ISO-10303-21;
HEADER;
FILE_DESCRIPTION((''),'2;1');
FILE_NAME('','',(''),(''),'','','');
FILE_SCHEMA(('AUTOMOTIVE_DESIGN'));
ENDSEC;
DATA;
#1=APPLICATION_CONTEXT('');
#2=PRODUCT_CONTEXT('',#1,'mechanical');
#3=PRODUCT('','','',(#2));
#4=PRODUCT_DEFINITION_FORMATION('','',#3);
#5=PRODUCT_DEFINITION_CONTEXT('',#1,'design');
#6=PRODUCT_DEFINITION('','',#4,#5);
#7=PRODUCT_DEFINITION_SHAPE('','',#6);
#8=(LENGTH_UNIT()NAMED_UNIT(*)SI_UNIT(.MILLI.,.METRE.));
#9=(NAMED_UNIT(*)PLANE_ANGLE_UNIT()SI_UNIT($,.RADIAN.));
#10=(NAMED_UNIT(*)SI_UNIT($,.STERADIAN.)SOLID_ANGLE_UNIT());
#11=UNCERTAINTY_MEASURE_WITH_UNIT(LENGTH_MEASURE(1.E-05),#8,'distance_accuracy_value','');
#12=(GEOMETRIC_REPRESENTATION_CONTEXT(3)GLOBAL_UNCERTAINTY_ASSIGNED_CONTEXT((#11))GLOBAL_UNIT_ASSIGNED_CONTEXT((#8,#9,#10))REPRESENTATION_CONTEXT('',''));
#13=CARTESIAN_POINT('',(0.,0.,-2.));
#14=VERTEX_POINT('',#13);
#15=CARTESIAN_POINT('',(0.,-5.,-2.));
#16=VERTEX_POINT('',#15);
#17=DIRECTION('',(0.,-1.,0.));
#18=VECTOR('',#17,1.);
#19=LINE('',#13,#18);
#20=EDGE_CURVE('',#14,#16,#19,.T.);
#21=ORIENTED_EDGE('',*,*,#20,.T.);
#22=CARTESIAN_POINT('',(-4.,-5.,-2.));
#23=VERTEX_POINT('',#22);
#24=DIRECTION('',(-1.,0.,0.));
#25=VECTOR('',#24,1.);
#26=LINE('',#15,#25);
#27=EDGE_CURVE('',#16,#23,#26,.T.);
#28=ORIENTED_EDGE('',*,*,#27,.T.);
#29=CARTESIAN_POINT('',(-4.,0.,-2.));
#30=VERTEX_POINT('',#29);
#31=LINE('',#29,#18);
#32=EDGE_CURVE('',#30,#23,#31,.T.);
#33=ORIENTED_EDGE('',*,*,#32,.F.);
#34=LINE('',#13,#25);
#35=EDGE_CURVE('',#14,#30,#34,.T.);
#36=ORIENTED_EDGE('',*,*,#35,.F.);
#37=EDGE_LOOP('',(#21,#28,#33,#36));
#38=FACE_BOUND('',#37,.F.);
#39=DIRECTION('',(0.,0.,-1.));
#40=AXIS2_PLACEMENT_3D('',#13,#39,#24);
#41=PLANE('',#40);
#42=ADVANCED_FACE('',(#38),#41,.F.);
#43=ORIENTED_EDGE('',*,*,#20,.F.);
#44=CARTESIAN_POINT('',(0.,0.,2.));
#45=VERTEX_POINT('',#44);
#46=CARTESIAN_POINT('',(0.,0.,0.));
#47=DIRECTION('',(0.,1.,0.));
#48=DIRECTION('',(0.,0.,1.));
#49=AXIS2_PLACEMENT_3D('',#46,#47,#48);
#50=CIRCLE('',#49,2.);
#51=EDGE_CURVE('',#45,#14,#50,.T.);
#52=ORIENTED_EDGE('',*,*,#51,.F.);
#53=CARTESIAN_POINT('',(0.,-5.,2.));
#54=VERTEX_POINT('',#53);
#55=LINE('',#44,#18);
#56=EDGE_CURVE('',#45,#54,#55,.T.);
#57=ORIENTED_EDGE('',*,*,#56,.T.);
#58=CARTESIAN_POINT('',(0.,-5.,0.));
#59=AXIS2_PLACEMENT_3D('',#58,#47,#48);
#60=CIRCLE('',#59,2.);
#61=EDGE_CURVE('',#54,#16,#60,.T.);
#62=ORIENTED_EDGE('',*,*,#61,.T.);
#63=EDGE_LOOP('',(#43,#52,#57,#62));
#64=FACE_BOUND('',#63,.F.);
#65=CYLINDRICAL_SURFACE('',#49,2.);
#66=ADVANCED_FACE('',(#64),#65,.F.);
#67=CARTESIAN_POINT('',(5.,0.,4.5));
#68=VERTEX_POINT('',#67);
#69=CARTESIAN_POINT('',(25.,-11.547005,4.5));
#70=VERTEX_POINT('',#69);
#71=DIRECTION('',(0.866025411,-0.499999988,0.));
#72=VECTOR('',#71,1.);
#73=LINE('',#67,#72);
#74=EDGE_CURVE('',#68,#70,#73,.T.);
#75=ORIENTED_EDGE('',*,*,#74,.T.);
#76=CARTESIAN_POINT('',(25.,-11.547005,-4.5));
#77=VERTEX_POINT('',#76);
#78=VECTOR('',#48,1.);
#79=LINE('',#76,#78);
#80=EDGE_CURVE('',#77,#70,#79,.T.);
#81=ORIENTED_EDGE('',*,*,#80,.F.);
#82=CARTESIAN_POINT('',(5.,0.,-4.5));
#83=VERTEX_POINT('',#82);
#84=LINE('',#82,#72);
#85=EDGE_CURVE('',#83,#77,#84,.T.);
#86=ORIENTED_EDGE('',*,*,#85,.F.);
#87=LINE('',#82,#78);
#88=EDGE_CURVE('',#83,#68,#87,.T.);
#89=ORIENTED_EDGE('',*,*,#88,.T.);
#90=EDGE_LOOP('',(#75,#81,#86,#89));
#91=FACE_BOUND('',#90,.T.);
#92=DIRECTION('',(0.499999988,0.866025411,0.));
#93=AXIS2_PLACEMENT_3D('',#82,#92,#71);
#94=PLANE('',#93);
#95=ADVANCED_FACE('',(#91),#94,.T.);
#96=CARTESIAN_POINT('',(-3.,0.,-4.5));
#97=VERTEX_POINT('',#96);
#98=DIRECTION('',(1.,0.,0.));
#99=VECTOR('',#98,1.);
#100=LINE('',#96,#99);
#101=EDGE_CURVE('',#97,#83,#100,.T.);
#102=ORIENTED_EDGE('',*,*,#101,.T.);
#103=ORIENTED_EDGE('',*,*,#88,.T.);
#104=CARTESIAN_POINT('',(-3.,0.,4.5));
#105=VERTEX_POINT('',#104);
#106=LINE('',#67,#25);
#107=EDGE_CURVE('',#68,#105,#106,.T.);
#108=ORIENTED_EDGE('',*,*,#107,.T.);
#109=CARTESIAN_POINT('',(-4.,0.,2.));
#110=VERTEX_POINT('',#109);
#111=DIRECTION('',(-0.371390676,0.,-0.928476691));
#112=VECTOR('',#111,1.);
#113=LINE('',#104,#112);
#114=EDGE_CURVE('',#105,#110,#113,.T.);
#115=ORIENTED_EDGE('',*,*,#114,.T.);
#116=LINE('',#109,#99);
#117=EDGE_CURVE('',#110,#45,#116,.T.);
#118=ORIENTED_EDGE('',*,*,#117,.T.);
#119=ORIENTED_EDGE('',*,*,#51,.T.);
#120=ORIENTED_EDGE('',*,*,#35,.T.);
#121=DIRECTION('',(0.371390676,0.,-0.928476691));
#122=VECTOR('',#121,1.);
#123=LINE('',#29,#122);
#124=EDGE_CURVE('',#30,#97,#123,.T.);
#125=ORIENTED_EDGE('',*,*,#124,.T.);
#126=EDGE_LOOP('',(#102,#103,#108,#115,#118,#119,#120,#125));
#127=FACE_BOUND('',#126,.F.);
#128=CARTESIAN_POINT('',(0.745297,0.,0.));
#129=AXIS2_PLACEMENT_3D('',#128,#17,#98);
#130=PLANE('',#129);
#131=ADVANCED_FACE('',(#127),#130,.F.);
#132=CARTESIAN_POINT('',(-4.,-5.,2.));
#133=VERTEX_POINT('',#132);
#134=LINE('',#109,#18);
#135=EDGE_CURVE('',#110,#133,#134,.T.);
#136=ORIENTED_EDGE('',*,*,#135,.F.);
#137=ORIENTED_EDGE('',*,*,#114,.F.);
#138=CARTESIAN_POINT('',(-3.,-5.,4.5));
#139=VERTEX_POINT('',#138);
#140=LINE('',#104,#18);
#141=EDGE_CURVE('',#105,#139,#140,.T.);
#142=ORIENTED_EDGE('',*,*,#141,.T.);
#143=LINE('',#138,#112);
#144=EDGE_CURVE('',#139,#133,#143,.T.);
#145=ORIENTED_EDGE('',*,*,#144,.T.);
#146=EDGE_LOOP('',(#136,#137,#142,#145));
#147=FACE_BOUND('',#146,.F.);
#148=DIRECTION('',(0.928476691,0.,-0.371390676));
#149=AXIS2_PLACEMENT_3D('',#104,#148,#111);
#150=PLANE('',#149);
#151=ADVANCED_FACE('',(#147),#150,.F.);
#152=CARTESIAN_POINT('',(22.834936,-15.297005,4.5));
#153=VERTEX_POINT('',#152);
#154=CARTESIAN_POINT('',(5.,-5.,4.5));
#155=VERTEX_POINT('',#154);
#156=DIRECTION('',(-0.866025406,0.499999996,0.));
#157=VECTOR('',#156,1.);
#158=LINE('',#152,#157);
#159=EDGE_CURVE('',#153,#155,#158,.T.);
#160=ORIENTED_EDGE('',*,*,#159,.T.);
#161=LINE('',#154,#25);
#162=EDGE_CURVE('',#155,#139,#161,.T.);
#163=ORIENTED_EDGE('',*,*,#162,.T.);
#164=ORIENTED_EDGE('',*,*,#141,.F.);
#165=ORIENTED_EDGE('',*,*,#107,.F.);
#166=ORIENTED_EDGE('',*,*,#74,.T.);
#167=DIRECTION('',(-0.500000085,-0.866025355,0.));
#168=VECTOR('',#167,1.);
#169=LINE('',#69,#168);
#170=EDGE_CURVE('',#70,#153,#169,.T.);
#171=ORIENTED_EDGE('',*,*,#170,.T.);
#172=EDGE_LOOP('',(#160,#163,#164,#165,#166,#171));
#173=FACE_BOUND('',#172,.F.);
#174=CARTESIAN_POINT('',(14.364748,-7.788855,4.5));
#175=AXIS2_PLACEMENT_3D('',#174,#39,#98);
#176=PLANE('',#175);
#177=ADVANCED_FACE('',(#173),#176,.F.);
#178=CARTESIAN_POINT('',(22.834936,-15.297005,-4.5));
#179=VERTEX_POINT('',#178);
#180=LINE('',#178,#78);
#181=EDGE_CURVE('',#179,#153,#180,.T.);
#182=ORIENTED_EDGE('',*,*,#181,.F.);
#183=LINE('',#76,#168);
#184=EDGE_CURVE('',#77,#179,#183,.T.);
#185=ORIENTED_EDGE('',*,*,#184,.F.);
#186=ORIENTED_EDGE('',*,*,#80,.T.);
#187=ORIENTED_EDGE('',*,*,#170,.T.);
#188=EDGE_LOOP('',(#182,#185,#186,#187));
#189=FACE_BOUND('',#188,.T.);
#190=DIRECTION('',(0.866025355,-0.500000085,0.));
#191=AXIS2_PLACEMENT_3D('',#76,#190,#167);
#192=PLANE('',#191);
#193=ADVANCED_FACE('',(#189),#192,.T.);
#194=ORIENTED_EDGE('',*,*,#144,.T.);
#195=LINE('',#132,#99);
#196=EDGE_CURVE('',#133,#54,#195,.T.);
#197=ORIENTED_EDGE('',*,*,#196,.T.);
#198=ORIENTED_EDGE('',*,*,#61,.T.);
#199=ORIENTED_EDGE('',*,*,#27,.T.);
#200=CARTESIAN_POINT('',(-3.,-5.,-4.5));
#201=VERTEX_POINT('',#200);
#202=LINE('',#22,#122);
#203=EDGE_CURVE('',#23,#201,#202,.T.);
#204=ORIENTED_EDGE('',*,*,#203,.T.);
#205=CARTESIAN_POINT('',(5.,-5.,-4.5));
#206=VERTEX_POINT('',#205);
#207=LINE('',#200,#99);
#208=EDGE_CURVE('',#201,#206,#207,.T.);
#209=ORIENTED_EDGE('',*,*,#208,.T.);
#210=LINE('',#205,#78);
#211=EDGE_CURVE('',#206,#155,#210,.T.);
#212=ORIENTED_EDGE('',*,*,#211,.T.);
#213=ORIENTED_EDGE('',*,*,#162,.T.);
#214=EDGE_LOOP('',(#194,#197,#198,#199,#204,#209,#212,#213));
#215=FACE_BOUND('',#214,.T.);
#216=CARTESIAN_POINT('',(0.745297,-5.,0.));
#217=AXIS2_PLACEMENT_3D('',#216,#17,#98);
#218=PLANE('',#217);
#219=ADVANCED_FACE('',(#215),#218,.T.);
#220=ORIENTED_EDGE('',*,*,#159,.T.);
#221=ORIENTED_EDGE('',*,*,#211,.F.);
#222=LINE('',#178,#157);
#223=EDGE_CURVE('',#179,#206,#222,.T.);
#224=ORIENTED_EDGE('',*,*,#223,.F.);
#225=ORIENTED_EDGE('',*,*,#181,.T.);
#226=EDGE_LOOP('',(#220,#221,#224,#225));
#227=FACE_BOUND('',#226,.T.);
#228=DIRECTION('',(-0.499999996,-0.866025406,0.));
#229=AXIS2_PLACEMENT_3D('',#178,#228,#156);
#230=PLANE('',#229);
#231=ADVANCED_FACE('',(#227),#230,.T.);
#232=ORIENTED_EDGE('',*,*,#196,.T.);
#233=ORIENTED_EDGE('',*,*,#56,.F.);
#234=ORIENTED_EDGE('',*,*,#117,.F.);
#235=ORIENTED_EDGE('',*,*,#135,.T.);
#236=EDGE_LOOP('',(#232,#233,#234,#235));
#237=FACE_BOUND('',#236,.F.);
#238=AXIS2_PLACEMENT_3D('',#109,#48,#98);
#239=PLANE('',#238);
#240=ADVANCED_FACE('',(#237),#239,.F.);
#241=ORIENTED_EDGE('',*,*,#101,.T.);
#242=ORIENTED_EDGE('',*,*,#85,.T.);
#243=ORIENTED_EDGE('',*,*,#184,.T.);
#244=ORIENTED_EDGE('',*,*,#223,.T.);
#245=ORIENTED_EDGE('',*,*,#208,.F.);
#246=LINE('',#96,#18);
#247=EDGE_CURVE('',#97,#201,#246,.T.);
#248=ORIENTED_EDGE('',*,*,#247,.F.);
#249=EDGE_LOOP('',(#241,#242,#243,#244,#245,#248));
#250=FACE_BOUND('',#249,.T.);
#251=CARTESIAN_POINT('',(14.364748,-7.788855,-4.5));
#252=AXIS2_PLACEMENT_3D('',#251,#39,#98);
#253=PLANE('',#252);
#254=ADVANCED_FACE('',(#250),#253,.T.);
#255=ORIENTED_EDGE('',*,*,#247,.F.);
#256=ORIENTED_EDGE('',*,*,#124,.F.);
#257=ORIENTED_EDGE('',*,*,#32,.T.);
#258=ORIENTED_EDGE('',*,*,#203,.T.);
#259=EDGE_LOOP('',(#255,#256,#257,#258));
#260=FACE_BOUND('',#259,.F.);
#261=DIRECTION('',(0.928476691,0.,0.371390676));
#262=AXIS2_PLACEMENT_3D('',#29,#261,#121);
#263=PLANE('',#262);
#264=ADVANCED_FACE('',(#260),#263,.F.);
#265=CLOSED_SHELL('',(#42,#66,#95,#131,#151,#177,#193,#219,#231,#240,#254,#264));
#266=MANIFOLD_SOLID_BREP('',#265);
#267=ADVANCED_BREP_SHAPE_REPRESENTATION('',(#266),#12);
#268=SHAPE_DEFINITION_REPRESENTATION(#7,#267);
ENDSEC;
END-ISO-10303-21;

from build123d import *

# Parameters (mm, degrees)
F1_DEPTH = 5
F4_DEPTH = 9


with BuildPart() as f1:
    # F0 (on Front) → F1 (new body)
    with BuildSketch(Plane.XZ):
        with BuildLine():
            ThreePointArc((0, 2), (2, 0), (0, -2))
            Line((0, -2), (-4, -2))
            Line((-4, -2), (-3, -4.5))
            Line((-3, -4.5), (5, -4.5))
            Line((5, -4.5), (5, 4.5))
            Line((5, 4.5), (-3, 4.5))
            Line((-3, 4.5), (-4, 2))
            Line((-4, 2), (0, 2))
        make_face()
    extrude(amount=F1_DEPTH)

    # F3 (on face) → F4 (join, through all)
    with BuildSketch(Plane(origin=(0, 0, -4.5), x_dir=(1, 0, 0), z_dir=(0, 0, -1))):
        Polygon((5, 5), (5, 0), (25, 11.547005), (22.834936, 15.297005), align=None)
    extrude(amount=-F4_DEPTH)


solid = f1.part
